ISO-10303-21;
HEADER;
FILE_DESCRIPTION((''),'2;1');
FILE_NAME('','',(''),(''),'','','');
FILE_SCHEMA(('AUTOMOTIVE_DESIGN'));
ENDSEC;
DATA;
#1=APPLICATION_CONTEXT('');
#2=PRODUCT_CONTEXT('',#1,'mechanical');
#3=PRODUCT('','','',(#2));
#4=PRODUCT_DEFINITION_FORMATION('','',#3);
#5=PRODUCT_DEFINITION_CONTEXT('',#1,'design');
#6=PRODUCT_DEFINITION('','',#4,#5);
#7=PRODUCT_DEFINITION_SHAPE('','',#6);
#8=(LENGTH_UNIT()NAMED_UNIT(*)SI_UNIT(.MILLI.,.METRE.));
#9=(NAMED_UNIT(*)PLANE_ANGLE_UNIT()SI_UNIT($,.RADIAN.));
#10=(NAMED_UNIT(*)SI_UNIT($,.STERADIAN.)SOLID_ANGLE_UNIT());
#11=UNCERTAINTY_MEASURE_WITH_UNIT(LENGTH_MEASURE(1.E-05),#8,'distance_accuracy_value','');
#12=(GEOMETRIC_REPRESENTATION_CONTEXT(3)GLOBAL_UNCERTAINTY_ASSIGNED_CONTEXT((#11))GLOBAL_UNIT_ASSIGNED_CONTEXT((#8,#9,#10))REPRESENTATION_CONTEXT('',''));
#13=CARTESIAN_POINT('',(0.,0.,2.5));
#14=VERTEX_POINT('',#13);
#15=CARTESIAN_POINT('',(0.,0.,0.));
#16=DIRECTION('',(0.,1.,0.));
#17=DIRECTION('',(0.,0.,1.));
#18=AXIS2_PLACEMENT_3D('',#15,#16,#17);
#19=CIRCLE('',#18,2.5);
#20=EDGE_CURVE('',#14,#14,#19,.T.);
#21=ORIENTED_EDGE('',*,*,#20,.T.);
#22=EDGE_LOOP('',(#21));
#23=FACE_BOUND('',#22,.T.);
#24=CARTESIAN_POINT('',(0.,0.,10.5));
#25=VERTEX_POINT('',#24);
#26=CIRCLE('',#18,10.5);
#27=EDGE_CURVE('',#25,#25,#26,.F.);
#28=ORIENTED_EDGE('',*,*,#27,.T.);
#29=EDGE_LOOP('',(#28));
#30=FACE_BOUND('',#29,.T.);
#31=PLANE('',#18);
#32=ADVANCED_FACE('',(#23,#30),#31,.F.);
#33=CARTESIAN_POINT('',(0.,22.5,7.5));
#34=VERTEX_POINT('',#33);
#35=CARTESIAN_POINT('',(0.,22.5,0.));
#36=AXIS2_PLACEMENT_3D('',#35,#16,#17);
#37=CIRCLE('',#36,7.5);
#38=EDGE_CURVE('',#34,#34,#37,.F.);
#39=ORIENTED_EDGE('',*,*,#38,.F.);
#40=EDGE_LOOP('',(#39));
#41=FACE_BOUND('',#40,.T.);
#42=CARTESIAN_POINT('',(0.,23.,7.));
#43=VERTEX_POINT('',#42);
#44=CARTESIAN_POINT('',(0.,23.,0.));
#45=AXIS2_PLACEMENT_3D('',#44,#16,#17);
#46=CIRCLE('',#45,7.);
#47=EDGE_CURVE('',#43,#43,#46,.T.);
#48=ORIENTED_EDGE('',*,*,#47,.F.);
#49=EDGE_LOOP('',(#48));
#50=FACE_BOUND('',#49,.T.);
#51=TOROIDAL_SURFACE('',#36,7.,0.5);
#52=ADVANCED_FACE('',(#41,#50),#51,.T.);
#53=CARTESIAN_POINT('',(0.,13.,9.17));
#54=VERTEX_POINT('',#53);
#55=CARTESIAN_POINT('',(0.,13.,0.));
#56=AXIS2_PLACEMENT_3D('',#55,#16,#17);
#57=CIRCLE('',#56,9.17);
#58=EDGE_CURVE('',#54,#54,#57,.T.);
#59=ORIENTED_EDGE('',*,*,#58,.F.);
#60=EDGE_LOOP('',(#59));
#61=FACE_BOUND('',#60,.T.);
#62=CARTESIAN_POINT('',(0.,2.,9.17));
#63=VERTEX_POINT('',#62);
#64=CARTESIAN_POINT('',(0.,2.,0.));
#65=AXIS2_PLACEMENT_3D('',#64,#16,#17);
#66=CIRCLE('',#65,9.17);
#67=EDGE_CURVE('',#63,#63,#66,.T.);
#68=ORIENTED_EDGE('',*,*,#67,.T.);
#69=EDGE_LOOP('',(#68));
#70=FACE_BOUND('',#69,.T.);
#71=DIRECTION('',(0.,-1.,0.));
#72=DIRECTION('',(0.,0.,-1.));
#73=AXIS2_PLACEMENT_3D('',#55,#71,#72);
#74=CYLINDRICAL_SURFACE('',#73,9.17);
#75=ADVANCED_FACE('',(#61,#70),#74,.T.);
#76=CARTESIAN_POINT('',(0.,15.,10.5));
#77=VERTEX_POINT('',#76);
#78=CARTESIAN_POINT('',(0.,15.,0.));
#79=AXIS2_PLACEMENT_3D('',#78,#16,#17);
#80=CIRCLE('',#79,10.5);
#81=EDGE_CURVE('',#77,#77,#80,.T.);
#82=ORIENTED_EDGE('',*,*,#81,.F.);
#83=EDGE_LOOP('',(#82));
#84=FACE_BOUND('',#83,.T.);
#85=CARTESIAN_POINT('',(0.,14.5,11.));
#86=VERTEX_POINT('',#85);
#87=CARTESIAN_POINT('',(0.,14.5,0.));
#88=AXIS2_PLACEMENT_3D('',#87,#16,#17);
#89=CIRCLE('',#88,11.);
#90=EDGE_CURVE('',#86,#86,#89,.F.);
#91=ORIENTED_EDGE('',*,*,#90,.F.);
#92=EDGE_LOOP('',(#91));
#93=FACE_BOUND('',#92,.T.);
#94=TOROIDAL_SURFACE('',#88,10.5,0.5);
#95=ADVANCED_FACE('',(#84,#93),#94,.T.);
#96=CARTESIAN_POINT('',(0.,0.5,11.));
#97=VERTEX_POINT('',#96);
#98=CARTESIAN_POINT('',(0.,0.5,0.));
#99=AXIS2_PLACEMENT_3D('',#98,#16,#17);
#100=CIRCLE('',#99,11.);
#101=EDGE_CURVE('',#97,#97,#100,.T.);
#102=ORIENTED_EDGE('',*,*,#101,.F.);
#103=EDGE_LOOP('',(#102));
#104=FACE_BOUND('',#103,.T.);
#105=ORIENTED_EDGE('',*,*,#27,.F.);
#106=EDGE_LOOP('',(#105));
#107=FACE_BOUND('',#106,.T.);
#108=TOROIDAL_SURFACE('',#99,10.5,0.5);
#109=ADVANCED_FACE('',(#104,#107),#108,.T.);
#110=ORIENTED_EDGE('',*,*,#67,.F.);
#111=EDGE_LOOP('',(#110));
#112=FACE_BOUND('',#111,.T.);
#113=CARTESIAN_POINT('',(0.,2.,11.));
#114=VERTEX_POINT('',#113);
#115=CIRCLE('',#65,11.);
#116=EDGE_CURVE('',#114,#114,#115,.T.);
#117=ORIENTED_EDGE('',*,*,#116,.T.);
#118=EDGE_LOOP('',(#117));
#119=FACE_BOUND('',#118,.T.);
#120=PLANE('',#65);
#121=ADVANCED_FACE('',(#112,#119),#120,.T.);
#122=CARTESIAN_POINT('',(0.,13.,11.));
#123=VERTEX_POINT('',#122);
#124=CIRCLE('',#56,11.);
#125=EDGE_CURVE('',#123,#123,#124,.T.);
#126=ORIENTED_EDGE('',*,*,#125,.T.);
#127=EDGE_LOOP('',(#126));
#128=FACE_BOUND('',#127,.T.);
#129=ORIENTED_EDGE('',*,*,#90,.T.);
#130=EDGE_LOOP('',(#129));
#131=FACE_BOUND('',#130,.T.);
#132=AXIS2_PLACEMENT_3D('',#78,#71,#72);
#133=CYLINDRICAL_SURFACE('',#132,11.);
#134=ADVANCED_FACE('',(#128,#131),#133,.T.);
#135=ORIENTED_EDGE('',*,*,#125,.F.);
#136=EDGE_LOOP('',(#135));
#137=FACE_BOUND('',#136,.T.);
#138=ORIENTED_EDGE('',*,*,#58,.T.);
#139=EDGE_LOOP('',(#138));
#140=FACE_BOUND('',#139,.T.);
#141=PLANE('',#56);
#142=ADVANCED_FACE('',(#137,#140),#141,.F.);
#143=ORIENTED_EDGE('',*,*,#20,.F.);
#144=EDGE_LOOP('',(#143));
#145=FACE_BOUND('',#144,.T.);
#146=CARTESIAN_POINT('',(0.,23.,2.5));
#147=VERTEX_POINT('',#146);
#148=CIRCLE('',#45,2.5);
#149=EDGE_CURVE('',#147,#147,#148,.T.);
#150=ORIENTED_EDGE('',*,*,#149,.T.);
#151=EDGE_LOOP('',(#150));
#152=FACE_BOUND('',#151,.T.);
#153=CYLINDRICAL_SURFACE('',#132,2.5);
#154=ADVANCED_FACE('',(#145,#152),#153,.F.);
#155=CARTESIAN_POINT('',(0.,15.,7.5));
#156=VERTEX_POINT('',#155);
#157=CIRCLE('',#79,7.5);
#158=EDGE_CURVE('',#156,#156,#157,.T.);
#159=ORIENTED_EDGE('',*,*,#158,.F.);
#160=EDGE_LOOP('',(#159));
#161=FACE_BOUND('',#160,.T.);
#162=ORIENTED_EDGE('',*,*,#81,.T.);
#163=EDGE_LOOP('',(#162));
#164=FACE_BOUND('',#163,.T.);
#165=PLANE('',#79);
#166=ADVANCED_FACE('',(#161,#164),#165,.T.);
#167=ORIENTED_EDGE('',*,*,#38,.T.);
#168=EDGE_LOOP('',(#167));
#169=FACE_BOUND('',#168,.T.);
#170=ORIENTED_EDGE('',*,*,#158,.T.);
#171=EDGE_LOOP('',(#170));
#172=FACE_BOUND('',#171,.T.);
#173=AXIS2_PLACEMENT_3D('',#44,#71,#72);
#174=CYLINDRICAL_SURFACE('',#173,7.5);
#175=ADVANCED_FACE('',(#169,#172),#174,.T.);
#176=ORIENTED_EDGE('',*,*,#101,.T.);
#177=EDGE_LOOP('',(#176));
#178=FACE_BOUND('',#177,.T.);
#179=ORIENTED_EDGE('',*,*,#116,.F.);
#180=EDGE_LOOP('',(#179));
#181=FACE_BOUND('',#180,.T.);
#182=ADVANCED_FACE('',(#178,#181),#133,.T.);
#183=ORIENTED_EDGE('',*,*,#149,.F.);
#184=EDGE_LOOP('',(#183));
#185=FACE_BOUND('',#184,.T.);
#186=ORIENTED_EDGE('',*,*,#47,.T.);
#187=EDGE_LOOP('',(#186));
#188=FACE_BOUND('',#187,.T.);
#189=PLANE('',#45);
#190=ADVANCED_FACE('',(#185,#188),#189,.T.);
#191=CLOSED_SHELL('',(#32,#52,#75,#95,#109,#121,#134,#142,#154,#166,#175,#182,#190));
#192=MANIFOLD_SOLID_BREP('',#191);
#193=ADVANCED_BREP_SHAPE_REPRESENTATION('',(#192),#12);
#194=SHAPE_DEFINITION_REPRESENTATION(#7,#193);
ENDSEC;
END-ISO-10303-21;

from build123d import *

# Parameters (mm, degrees)
SKETCH_1_R          = 11
SKETCH_1_R_2        = 2.5
EXTRUDE_1_DEPTH     = 15
SKETCH_2_R          = 7.5
SKETCH_2_R_2        = 2.5
EXTRUDE_2_DEPTH     = 8
CUT_EXTRUDE_START   = 2
SKETCH_3_R          = 11
SKETCH_3_R_2        = 9.17
CUT_EXTRUDE_1_DEPTH = 11
FILLET_1_R          = 0.5


with BuildPart() as part:
    # 草图1 → 凸台-拉伸1 (new body)
    with BuildSketch(Plane(origin=(0, 0, 0), x_dir=(1, 0, 0), z_dir=(0, 1, 0))):
        with Locations(Location((0, 0, 0), (0, 0, 270))):
            Circle(SKETCH_1_R)
        with Locations(Location((0, 0, 0), (0, 0, 270))):
            Circle(SKETCH_1_R_2, mode=Mode.SUBTRACT)
    extrude(amount=EXTRUDE_1_DEPTH)

    # 草图2 → 凸台-拉伸2 (add)
    with BuildSketch(Plane(origin=(0, 15, 0), x_dir=(1, 0, 0), z_dir=(0, 1, 0))):
        with Locations(Location((0, 0, 0), (0, 0, 270))):
            Circle(SKETCH_2_R)
        with Locations(Location((0, 0, 0), (0, 0, 270))):
            Circle(SKETCH_2_R_2, mode=Mode.SUBTRACT)
    extrude(amount=EXTRUDE_2_DEPTH)

    # 草图3 → 切除-拉伸1 (cut)
    with BuildSketch(Plane(origin=(0, 0, 0), x_dir=(1, 0, 0), z_dir=(0, 1, 0)).offset(CUT_EXTRUDE_START)):
        with Locations(Location((0, 0, 0), (0, 0, 270))):
            Circle(SKETCH_3_R)
        with Locations(Location((0, 0, 0), (0, 0, 270))):
            Circle(SKETCH_3_R_2, mode=Mode.SUBTRACT)
    extrude(amount=CUT_EXTRUDE_1_DEPTH, mode=Mode.SUBTRACT)

    # 圆角1
    fillet_1_edges = [part.edges().sort_by_distance(p)[0] for p in [
        (0, 0, -11),
        (0, 15, -11),
        (0, 23, -7.5),
    ]]
    fillet(fillet_1_edges, radius=FILLET_1_R)


solid = part.part
